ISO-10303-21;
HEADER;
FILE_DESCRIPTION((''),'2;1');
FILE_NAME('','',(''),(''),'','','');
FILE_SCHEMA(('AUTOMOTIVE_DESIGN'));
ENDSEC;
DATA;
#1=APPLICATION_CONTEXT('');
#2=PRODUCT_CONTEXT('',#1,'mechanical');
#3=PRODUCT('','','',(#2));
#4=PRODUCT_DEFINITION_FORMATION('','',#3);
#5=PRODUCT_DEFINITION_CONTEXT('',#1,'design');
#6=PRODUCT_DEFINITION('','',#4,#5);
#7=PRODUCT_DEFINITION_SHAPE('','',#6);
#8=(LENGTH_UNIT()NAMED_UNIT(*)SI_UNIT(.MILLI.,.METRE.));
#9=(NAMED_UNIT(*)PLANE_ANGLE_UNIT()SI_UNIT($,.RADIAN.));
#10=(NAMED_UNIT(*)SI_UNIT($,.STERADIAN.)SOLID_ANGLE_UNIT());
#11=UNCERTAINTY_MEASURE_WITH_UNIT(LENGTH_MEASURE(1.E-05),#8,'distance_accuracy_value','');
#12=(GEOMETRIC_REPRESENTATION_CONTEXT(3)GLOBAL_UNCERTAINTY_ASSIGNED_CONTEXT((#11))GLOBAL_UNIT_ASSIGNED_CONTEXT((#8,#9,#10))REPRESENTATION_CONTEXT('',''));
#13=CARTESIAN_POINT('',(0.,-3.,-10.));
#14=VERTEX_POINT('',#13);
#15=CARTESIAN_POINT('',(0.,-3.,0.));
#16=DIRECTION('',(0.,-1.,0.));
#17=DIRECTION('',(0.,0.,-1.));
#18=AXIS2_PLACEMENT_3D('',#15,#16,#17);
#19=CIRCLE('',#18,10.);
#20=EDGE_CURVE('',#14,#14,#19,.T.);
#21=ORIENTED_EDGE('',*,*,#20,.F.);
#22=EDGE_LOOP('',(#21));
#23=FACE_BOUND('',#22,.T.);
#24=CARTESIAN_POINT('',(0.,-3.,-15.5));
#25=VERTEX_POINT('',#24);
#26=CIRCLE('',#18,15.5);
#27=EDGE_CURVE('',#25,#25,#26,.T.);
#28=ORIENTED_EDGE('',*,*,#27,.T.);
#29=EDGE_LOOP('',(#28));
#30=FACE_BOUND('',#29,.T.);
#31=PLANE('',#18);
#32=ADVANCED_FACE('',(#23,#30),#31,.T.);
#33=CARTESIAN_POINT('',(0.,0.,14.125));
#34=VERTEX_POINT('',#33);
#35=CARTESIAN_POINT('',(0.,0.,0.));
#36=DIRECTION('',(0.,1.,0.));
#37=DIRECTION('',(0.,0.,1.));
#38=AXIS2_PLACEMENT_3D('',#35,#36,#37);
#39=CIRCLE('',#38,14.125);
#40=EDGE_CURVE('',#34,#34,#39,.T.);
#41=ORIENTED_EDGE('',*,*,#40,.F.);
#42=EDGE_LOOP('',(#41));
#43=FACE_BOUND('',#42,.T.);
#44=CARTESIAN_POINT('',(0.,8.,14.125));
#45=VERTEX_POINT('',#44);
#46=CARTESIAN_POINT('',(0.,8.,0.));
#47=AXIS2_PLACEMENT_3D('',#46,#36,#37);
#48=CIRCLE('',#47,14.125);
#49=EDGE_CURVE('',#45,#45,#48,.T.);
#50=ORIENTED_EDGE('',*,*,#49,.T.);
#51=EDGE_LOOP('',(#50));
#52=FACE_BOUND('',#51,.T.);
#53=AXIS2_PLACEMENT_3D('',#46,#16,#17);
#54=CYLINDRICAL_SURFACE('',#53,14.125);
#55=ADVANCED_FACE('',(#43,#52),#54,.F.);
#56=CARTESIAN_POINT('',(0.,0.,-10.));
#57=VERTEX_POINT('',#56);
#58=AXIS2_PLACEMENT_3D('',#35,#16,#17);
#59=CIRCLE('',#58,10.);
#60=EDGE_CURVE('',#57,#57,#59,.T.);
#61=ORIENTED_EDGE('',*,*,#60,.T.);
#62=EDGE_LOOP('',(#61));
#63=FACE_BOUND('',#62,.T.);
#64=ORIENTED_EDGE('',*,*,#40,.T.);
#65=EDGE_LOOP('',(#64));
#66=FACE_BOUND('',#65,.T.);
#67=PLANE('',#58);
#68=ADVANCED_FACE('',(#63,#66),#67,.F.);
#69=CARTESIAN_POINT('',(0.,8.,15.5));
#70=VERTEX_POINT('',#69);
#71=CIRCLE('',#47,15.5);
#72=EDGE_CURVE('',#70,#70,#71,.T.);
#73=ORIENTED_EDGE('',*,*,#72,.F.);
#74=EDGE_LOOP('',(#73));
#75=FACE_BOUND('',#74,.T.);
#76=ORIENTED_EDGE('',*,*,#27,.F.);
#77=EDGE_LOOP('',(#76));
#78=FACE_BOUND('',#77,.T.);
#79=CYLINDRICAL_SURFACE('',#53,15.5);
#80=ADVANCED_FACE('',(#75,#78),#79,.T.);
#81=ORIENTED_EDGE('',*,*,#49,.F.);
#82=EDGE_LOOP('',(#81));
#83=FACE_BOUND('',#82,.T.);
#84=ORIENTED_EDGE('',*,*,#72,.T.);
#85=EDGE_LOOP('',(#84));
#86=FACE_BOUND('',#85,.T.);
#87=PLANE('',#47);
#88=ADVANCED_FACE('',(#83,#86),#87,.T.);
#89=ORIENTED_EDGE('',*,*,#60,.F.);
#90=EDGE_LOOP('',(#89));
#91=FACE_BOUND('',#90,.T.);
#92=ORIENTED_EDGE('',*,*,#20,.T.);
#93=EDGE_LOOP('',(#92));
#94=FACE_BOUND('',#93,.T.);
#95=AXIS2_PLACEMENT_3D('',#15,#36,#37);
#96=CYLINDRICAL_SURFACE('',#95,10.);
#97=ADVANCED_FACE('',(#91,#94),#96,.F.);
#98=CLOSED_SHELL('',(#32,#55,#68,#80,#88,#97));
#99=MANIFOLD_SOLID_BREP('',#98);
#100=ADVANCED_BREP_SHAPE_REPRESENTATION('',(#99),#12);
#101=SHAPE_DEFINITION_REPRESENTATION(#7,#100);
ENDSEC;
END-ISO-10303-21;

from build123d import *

# Parameters (mm, degrees)
SKETCH1_R           = 15.5
SKETCH1_R_2         = 14.125
BOSS_EXTRUDE1_DEPTH = 8
SKETCH2_R           = 15.5
SKETCH2_R_2         = 10
BOSS_EXTRUDE3_DEPTH = 3


with BuildPart() as part:
    # Sketch1 → Boss-Extrude1 (new body)
    with BuildSketch(Plane(origin=(0, 0, 0), x_dir=(1, 0, 0), z_dir=(0, 1, 0))):
        Circle(SKETCH1_R)
        Circle(SKETCH1_R_2, mode=Mode.SUBTRACT)
    extrude(amount=BOSS_EXTRUDE1_DEPTH)

    # Sketch2 → Boss-Extrude3 (add)
    with BuildSketch(Plane.XZ):
        Circle(SKETCH2_R)
        Circle(SKETCH2_R_2, mode=Mode.SUBTRACT)
    extrude(amount=BOSS_EXTRUDE3_DEPTH)


solid = part.part
